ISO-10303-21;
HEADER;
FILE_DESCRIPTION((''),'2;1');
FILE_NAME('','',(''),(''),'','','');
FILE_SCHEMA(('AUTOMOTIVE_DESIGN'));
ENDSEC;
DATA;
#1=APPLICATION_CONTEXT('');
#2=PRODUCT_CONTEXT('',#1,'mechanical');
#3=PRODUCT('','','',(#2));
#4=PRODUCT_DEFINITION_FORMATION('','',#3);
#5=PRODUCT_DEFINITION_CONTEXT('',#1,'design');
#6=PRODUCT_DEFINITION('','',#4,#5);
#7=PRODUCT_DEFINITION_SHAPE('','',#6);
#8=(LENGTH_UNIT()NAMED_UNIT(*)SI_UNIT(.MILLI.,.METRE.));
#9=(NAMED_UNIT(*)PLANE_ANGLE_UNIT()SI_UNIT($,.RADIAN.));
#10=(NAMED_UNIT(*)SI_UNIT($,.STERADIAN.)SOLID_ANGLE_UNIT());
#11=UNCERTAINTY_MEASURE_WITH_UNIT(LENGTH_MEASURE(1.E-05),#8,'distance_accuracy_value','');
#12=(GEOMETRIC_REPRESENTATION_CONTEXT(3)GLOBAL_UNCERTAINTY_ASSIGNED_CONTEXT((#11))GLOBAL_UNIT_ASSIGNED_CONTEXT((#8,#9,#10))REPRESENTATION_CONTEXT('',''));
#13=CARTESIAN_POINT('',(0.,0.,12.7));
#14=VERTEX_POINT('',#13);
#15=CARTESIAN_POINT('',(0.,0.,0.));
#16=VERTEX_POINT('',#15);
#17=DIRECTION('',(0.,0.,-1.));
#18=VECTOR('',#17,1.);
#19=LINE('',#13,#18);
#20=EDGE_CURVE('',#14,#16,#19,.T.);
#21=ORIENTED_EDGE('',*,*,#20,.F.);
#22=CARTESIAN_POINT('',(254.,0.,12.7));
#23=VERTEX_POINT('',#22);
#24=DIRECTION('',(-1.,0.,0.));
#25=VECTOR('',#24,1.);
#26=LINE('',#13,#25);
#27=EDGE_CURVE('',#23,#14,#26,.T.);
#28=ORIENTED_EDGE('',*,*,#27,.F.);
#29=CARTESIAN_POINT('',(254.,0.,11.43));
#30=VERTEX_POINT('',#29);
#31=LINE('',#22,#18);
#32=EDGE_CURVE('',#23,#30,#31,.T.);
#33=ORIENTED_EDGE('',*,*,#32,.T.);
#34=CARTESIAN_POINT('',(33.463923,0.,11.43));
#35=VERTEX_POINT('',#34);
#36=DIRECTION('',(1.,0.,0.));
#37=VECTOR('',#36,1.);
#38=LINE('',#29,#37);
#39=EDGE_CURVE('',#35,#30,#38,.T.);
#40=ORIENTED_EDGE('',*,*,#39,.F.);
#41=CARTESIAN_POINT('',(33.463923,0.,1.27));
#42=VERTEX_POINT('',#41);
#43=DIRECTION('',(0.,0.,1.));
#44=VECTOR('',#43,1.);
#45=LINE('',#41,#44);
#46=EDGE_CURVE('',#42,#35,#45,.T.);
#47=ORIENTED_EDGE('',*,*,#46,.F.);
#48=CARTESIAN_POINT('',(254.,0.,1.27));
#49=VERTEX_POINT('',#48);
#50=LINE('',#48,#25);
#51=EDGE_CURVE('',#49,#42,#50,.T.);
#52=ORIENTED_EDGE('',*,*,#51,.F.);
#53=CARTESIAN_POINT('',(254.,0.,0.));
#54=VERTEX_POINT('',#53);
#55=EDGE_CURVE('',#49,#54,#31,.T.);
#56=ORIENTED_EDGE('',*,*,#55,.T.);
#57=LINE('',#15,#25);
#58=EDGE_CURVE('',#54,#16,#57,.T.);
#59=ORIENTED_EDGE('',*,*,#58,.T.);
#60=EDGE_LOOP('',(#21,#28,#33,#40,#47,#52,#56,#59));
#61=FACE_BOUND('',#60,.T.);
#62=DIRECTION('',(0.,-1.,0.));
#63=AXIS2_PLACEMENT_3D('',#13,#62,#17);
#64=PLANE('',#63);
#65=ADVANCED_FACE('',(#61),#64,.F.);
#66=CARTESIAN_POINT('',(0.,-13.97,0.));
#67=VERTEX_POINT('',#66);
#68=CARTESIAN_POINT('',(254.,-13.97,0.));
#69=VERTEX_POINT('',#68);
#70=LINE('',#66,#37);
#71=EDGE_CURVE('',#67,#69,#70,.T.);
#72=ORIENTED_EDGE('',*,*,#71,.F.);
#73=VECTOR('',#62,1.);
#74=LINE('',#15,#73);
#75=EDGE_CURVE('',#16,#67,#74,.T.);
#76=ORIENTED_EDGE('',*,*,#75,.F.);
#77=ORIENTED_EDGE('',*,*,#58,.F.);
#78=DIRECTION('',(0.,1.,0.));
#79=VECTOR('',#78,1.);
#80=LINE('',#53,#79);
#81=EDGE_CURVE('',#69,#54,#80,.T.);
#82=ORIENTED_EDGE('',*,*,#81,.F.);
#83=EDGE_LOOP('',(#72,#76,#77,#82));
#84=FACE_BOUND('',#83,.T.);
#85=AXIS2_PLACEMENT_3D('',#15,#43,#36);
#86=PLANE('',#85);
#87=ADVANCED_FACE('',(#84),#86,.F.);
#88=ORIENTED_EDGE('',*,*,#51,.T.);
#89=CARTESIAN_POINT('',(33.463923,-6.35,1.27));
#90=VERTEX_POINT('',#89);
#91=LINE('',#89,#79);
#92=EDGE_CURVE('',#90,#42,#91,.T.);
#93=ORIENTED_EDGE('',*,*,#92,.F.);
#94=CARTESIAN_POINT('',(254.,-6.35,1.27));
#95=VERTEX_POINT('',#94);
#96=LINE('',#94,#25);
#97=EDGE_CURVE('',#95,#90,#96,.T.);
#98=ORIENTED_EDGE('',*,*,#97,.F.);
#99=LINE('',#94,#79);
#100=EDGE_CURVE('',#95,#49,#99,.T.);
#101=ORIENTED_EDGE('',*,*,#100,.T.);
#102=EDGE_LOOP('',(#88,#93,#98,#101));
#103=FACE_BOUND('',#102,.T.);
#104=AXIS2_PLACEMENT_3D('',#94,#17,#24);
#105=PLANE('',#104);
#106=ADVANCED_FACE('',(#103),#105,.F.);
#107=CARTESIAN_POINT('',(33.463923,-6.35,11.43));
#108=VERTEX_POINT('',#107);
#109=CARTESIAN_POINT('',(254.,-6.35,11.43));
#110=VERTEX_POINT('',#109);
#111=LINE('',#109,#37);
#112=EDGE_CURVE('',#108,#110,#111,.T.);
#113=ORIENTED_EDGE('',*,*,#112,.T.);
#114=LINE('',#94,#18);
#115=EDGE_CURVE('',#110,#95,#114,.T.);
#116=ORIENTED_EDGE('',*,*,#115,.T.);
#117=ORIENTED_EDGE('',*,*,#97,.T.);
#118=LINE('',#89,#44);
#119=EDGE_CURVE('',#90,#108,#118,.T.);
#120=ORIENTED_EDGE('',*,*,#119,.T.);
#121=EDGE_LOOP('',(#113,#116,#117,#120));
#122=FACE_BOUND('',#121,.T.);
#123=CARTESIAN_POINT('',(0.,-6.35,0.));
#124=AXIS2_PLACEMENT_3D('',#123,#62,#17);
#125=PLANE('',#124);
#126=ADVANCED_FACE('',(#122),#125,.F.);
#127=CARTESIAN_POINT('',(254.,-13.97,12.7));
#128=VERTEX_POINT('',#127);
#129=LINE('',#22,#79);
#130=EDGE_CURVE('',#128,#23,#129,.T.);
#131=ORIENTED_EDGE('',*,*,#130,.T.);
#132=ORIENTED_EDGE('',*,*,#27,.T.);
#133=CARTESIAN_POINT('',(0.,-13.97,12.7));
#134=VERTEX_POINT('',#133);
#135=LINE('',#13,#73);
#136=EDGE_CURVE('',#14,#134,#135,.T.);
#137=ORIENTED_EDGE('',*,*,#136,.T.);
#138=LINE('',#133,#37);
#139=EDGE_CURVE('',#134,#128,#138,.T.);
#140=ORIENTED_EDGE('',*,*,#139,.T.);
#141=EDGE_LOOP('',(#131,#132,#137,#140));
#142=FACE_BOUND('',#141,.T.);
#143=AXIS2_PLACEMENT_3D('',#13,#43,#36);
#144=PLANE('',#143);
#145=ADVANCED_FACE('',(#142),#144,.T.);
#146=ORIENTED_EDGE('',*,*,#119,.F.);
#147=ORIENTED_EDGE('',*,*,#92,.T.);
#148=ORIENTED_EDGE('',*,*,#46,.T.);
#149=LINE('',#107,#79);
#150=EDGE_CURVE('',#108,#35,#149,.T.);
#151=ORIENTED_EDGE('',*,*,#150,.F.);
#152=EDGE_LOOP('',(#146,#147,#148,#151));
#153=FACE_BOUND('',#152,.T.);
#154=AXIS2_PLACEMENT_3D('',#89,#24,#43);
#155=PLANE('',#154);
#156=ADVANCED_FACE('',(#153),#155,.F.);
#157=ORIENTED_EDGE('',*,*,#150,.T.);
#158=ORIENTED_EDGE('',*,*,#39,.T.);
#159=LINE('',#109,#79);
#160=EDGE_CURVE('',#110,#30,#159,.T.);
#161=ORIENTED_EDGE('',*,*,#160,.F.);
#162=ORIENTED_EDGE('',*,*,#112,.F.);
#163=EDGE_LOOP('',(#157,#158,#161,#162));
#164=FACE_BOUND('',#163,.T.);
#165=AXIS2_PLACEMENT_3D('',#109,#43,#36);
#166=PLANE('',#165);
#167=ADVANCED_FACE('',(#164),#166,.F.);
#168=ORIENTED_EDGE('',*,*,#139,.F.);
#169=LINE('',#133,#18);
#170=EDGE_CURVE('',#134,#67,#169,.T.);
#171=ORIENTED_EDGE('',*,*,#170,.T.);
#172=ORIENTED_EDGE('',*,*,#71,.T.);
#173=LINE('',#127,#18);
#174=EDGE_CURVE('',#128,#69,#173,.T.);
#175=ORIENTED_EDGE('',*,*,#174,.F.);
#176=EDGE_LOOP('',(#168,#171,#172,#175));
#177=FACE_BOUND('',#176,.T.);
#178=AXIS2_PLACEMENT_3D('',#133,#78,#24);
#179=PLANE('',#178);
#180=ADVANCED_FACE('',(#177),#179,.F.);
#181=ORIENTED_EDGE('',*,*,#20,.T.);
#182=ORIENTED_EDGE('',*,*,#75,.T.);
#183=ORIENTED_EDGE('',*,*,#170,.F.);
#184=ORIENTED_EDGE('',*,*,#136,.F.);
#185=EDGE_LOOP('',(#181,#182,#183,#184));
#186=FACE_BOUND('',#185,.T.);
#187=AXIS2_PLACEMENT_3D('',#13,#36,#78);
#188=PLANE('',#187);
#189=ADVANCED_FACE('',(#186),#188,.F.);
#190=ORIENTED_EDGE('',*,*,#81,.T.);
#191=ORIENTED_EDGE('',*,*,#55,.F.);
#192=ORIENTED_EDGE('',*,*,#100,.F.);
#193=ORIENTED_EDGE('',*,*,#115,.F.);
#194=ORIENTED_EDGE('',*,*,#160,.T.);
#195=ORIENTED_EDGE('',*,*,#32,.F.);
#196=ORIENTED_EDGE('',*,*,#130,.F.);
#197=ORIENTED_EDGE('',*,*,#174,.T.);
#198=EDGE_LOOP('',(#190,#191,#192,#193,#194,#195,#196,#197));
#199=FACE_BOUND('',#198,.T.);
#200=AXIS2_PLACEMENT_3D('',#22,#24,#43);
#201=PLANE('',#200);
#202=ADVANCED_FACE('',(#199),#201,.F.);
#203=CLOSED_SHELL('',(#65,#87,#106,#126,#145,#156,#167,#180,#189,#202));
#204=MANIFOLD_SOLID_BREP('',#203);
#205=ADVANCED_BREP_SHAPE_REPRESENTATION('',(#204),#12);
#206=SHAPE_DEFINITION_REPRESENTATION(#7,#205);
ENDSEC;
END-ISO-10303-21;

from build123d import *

# Parameters (mm, degrees)
SKETCH1_W           = 254
SKETCH1_H           = 13.97
BOSS_EXTRUDE1_DEPTH = 12.7
SKETCH2_W           = 220.536076876
SKETCH2_H           = 10.16
CUT_EXTRUDE2_DEPTH  = 6.35


with BuildPart() as part:
    # Sketch1 → Boss-Extrude1 (new body)
    with BuildSketch(Plane.XY):
        with Locations((127, -6.985)):
            Rectangle(SKETCH1_W, SKETCH1_H)
    extrude(amount=BOSS_EXTRUDE1_DEPTH)

    # Sketch2 → Cut-Extrude2 (cut)
    with BuildSketch(Plane(origin=(0, 0, 0), x_dir=(1, 0, 0), z_dir=(0, 1, 0))):
        with Locations((143.731961562, -6.35)):
            Rectangle(SKETCH2_W, SKETCH2_H)
    extrude(amount=-CUT_EXTRUDE2_DEPTH, mode=Mode.SUBTRACT)


solid = part.part
